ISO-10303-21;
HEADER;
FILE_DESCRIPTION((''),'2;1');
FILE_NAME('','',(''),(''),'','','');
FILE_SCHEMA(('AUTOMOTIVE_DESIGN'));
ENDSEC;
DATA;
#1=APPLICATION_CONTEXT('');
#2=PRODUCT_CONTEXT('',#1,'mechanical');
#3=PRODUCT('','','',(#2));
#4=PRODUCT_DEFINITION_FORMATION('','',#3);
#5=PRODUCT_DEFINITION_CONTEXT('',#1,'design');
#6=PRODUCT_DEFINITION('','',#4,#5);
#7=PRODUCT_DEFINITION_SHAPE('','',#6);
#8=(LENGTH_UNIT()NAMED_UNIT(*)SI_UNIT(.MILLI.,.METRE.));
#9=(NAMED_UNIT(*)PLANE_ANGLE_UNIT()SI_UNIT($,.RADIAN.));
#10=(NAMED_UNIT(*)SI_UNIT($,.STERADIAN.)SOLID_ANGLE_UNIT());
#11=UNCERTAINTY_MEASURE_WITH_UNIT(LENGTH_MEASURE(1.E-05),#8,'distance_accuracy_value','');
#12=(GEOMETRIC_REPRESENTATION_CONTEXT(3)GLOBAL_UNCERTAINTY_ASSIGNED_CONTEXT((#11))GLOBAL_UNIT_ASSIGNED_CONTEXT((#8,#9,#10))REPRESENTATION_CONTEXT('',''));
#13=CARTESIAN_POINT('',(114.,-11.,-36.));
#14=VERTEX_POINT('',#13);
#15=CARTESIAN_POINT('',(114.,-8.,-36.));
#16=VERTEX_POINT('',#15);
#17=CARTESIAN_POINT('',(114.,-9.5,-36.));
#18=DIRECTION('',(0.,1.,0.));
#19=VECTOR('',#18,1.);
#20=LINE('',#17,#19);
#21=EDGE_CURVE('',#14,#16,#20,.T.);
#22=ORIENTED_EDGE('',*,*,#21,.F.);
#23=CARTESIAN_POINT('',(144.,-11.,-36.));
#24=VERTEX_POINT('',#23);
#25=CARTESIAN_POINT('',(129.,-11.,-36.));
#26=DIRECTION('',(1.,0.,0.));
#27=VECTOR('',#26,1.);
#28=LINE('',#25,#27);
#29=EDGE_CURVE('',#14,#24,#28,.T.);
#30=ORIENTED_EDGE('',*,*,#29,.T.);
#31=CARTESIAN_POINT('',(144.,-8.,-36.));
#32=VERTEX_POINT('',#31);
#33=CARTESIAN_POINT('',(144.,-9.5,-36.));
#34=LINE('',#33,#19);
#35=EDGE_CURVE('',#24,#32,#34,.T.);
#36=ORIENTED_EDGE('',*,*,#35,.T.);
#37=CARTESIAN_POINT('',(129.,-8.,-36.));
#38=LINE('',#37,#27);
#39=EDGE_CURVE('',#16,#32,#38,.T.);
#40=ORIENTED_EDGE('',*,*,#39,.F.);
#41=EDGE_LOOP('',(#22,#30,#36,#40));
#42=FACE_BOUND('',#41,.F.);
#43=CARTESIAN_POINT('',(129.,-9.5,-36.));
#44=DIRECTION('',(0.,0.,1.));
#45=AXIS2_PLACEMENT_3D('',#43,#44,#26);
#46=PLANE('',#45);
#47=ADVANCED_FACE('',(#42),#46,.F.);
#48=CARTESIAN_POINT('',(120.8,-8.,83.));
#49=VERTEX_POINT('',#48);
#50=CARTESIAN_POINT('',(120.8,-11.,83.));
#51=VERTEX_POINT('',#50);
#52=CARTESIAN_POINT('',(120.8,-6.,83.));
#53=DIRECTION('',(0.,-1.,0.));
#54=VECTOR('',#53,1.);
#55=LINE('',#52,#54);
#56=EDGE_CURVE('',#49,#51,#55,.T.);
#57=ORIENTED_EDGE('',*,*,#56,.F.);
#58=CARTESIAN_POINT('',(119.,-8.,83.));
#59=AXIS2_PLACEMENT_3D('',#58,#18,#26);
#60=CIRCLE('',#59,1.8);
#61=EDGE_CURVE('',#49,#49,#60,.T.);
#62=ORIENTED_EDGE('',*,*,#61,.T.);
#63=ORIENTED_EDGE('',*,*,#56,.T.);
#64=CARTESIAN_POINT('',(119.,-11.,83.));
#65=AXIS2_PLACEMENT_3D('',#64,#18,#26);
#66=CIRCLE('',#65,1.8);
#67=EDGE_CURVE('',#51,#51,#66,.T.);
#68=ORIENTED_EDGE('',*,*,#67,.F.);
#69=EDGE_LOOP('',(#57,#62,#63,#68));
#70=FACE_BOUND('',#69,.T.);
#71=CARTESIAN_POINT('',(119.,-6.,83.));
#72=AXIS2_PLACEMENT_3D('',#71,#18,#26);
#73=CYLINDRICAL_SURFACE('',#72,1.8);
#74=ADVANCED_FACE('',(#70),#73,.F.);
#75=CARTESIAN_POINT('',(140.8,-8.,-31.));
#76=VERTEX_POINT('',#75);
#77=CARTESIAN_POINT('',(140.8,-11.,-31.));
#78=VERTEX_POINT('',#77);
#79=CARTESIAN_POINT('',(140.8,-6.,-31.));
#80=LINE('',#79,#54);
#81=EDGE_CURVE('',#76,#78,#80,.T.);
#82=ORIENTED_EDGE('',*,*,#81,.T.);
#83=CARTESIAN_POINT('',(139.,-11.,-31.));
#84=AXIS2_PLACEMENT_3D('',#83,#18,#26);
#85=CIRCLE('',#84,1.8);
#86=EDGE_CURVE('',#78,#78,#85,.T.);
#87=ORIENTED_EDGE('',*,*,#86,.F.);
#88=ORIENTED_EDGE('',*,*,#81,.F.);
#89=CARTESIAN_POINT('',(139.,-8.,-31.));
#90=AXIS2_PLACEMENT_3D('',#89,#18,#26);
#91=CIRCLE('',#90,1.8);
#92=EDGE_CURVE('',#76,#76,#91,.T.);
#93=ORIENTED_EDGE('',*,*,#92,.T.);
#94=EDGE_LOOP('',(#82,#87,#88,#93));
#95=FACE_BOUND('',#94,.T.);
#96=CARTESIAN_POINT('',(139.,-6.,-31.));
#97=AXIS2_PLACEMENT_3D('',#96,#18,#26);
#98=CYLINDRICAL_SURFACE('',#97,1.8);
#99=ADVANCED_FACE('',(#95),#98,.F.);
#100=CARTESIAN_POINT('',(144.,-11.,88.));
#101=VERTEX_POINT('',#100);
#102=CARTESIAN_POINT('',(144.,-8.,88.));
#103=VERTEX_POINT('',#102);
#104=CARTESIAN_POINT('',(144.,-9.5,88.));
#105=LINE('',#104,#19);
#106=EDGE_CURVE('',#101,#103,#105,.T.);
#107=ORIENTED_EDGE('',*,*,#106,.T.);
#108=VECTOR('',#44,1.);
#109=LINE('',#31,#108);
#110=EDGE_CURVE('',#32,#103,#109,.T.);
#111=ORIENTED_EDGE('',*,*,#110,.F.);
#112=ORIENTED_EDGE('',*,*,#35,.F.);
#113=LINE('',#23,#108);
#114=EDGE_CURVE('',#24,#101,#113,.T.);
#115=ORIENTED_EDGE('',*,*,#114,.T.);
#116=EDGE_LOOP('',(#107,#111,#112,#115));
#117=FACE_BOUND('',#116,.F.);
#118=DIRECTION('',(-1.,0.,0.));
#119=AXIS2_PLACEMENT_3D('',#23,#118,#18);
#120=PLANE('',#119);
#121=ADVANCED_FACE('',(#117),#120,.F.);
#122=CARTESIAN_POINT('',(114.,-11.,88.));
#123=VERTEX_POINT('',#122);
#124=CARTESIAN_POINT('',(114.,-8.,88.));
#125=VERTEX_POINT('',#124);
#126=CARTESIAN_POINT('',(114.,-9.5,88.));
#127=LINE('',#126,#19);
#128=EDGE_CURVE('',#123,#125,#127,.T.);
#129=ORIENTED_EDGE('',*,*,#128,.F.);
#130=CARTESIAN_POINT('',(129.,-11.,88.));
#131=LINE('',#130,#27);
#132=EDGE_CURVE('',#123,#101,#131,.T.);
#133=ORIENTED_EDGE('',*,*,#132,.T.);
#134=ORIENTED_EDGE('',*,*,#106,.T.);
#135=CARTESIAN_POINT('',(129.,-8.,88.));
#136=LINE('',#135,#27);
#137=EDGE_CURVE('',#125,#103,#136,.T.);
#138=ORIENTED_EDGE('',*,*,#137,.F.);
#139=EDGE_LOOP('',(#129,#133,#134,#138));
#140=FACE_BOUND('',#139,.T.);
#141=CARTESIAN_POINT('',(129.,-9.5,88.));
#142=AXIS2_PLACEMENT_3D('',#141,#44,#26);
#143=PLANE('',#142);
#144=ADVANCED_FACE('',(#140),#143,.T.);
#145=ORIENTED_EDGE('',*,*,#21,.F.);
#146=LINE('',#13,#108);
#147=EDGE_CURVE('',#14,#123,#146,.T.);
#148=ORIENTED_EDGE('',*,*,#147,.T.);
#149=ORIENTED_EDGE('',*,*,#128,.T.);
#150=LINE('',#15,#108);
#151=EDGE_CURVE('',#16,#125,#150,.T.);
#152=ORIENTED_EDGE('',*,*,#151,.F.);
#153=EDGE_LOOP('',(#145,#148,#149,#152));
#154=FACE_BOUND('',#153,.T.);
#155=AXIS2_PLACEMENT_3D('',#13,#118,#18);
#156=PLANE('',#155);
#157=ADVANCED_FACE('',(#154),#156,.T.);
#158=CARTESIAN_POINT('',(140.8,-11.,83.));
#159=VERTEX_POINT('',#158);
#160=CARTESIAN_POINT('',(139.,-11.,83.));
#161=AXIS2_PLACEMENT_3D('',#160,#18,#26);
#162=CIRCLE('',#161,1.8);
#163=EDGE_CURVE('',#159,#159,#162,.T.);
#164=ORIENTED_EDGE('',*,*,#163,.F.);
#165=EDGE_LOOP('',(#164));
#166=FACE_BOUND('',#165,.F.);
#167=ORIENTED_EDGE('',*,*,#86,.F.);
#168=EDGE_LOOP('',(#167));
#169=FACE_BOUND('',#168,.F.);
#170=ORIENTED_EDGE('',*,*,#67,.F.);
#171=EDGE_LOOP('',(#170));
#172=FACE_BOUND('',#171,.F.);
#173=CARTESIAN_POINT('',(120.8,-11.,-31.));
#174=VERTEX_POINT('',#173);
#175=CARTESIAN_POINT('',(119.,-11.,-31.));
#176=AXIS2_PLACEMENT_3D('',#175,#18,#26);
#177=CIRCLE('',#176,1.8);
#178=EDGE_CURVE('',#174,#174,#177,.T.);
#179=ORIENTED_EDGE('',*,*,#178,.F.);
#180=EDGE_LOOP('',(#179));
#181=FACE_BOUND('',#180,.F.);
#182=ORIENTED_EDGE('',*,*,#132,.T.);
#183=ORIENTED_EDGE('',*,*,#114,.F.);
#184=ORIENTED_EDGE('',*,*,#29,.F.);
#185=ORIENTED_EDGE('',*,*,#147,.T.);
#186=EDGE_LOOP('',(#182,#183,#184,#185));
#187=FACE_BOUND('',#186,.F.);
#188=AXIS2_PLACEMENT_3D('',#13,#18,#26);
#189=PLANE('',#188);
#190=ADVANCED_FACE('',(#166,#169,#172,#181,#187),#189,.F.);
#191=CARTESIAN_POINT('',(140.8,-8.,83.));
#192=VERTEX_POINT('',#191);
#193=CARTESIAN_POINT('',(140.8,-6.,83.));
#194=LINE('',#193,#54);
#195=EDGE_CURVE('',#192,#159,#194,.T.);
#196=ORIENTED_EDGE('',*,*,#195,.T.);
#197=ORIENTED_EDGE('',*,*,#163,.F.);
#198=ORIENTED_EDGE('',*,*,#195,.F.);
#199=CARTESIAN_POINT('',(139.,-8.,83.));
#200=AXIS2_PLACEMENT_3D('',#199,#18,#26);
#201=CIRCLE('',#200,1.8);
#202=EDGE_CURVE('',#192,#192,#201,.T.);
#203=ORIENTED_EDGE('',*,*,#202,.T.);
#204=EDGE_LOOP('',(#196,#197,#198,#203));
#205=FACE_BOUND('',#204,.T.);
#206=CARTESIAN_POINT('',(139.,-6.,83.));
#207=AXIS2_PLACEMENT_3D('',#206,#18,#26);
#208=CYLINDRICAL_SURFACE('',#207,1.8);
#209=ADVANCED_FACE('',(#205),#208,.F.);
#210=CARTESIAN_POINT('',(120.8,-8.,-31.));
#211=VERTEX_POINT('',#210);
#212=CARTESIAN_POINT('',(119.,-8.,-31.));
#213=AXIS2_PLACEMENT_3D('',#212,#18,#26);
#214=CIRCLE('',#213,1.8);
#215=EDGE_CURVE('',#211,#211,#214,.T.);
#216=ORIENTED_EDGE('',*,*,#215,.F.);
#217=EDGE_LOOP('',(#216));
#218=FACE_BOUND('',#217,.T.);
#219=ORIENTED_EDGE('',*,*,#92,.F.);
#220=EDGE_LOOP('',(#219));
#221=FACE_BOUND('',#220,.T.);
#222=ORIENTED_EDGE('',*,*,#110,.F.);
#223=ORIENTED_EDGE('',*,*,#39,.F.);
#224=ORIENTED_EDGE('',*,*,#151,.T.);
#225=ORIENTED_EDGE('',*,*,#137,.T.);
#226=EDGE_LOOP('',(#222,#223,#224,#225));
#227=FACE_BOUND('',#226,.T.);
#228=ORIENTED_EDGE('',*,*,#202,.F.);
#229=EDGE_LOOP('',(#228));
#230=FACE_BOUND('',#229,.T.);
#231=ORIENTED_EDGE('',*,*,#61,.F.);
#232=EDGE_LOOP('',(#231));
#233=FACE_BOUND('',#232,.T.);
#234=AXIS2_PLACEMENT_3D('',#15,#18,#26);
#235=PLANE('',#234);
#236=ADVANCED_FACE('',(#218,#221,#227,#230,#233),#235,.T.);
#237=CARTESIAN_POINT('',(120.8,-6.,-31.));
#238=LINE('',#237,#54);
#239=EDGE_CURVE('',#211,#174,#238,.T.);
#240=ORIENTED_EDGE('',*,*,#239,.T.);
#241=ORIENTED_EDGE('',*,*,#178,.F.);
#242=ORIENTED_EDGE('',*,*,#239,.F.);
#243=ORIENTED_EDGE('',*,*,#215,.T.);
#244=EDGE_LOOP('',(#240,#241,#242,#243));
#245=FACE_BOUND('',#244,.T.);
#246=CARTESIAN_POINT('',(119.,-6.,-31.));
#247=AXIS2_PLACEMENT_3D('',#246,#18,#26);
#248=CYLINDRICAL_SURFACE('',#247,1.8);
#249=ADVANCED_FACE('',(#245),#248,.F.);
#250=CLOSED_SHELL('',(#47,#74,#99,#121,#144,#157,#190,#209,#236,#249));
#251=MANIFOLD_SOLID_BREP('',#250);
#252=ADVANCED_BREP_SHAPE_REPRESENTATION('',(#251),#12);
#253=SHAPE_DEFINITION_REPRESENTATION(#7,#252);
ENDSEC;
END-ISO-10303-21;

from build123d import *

# Parameters (mm, degrees)
CYLINDER038_R       = 1.8
CYLINDER038_DEPTH   = 10
ARRAY001019_X_COUNT = 2
ARRAY001019_X_PITCH = 20
ARRAY001019_Z_COUNT = 2
ARRAY001019_Z_PITCH = 114
BOX018_W            = 30
BOX018_H            = 3
BOX018_DEPTH        = 124


with BuildPart() as side_connector_hole_array:
    # Cylinder038 → Cylinder038 (new body)
    with BuildSketch(Plane.XZ):
        Circle(CYLINDER038_R)
    extrude(amount=CYLINDER038_DEPTH)

    # Array001019 X: side connector hole array ×2


with BuildPart() as side_connector_hole_array_1:
    add(side_connector_hole_array.part)
    with Locations(*[(i * ARRAY001019_X_PITCH, 0, 0) for i in range(1, ARRAY001019_X_COUNT)]):
        add(side_connector_hole_array.part)

    # Array001019 Z: side connector hole array ×2


with BuildPart() as side_connector_hole_array_2:
    add(side_connector_hole_array_1.part)
    with Locations(*[(0, 0, i * ARRAY001019_Z_PITCH) for i in range(1, ARRAY001019_Z_COUNT)]):
        add(side_connector_hole_array_1.part)


with BuildPart() as side_connector_hole_array_3:
    # Array001019 placement: moved
    add(side_connector_hole_array_2.part.moved(Location((5, 5, 5))))


with BuildPart() as vertical_side_connector_clone:
    # Box018 → Box018 (new body)
    with BuildSketch(Plane.XY):
        with Locations((15, 1.5)):
            Rectangle(BOX018_W, BOX018_H)
    extrude(amount=BOX018_DEPTH)

    # Cut014: cut side connector hole array
    add(side_connector_hole_array_3.part, mode=Mode.SUBTRACT)


with BuildPart() as vertical_side_connector_clone_1:
    # Compound001 placement: moved
    add(vertical_side_connector_clone.part.moved(Location((0, -11, -36))))


with BuildPart() as vertical_side_connector_clone_2:
    # Clone004 placement: moved
    add(vertical_side_connector_clone_1.part.moved(Location((0, 6, 2))))


with BuildPart() as vertical_side_connector_clone_3:
    # Body004 placement: moved
    add(vertical_side_connector_clone_2.part.moved(Location((114, -6, -2))))


solid = vertical_side_connector_clone_3.part
